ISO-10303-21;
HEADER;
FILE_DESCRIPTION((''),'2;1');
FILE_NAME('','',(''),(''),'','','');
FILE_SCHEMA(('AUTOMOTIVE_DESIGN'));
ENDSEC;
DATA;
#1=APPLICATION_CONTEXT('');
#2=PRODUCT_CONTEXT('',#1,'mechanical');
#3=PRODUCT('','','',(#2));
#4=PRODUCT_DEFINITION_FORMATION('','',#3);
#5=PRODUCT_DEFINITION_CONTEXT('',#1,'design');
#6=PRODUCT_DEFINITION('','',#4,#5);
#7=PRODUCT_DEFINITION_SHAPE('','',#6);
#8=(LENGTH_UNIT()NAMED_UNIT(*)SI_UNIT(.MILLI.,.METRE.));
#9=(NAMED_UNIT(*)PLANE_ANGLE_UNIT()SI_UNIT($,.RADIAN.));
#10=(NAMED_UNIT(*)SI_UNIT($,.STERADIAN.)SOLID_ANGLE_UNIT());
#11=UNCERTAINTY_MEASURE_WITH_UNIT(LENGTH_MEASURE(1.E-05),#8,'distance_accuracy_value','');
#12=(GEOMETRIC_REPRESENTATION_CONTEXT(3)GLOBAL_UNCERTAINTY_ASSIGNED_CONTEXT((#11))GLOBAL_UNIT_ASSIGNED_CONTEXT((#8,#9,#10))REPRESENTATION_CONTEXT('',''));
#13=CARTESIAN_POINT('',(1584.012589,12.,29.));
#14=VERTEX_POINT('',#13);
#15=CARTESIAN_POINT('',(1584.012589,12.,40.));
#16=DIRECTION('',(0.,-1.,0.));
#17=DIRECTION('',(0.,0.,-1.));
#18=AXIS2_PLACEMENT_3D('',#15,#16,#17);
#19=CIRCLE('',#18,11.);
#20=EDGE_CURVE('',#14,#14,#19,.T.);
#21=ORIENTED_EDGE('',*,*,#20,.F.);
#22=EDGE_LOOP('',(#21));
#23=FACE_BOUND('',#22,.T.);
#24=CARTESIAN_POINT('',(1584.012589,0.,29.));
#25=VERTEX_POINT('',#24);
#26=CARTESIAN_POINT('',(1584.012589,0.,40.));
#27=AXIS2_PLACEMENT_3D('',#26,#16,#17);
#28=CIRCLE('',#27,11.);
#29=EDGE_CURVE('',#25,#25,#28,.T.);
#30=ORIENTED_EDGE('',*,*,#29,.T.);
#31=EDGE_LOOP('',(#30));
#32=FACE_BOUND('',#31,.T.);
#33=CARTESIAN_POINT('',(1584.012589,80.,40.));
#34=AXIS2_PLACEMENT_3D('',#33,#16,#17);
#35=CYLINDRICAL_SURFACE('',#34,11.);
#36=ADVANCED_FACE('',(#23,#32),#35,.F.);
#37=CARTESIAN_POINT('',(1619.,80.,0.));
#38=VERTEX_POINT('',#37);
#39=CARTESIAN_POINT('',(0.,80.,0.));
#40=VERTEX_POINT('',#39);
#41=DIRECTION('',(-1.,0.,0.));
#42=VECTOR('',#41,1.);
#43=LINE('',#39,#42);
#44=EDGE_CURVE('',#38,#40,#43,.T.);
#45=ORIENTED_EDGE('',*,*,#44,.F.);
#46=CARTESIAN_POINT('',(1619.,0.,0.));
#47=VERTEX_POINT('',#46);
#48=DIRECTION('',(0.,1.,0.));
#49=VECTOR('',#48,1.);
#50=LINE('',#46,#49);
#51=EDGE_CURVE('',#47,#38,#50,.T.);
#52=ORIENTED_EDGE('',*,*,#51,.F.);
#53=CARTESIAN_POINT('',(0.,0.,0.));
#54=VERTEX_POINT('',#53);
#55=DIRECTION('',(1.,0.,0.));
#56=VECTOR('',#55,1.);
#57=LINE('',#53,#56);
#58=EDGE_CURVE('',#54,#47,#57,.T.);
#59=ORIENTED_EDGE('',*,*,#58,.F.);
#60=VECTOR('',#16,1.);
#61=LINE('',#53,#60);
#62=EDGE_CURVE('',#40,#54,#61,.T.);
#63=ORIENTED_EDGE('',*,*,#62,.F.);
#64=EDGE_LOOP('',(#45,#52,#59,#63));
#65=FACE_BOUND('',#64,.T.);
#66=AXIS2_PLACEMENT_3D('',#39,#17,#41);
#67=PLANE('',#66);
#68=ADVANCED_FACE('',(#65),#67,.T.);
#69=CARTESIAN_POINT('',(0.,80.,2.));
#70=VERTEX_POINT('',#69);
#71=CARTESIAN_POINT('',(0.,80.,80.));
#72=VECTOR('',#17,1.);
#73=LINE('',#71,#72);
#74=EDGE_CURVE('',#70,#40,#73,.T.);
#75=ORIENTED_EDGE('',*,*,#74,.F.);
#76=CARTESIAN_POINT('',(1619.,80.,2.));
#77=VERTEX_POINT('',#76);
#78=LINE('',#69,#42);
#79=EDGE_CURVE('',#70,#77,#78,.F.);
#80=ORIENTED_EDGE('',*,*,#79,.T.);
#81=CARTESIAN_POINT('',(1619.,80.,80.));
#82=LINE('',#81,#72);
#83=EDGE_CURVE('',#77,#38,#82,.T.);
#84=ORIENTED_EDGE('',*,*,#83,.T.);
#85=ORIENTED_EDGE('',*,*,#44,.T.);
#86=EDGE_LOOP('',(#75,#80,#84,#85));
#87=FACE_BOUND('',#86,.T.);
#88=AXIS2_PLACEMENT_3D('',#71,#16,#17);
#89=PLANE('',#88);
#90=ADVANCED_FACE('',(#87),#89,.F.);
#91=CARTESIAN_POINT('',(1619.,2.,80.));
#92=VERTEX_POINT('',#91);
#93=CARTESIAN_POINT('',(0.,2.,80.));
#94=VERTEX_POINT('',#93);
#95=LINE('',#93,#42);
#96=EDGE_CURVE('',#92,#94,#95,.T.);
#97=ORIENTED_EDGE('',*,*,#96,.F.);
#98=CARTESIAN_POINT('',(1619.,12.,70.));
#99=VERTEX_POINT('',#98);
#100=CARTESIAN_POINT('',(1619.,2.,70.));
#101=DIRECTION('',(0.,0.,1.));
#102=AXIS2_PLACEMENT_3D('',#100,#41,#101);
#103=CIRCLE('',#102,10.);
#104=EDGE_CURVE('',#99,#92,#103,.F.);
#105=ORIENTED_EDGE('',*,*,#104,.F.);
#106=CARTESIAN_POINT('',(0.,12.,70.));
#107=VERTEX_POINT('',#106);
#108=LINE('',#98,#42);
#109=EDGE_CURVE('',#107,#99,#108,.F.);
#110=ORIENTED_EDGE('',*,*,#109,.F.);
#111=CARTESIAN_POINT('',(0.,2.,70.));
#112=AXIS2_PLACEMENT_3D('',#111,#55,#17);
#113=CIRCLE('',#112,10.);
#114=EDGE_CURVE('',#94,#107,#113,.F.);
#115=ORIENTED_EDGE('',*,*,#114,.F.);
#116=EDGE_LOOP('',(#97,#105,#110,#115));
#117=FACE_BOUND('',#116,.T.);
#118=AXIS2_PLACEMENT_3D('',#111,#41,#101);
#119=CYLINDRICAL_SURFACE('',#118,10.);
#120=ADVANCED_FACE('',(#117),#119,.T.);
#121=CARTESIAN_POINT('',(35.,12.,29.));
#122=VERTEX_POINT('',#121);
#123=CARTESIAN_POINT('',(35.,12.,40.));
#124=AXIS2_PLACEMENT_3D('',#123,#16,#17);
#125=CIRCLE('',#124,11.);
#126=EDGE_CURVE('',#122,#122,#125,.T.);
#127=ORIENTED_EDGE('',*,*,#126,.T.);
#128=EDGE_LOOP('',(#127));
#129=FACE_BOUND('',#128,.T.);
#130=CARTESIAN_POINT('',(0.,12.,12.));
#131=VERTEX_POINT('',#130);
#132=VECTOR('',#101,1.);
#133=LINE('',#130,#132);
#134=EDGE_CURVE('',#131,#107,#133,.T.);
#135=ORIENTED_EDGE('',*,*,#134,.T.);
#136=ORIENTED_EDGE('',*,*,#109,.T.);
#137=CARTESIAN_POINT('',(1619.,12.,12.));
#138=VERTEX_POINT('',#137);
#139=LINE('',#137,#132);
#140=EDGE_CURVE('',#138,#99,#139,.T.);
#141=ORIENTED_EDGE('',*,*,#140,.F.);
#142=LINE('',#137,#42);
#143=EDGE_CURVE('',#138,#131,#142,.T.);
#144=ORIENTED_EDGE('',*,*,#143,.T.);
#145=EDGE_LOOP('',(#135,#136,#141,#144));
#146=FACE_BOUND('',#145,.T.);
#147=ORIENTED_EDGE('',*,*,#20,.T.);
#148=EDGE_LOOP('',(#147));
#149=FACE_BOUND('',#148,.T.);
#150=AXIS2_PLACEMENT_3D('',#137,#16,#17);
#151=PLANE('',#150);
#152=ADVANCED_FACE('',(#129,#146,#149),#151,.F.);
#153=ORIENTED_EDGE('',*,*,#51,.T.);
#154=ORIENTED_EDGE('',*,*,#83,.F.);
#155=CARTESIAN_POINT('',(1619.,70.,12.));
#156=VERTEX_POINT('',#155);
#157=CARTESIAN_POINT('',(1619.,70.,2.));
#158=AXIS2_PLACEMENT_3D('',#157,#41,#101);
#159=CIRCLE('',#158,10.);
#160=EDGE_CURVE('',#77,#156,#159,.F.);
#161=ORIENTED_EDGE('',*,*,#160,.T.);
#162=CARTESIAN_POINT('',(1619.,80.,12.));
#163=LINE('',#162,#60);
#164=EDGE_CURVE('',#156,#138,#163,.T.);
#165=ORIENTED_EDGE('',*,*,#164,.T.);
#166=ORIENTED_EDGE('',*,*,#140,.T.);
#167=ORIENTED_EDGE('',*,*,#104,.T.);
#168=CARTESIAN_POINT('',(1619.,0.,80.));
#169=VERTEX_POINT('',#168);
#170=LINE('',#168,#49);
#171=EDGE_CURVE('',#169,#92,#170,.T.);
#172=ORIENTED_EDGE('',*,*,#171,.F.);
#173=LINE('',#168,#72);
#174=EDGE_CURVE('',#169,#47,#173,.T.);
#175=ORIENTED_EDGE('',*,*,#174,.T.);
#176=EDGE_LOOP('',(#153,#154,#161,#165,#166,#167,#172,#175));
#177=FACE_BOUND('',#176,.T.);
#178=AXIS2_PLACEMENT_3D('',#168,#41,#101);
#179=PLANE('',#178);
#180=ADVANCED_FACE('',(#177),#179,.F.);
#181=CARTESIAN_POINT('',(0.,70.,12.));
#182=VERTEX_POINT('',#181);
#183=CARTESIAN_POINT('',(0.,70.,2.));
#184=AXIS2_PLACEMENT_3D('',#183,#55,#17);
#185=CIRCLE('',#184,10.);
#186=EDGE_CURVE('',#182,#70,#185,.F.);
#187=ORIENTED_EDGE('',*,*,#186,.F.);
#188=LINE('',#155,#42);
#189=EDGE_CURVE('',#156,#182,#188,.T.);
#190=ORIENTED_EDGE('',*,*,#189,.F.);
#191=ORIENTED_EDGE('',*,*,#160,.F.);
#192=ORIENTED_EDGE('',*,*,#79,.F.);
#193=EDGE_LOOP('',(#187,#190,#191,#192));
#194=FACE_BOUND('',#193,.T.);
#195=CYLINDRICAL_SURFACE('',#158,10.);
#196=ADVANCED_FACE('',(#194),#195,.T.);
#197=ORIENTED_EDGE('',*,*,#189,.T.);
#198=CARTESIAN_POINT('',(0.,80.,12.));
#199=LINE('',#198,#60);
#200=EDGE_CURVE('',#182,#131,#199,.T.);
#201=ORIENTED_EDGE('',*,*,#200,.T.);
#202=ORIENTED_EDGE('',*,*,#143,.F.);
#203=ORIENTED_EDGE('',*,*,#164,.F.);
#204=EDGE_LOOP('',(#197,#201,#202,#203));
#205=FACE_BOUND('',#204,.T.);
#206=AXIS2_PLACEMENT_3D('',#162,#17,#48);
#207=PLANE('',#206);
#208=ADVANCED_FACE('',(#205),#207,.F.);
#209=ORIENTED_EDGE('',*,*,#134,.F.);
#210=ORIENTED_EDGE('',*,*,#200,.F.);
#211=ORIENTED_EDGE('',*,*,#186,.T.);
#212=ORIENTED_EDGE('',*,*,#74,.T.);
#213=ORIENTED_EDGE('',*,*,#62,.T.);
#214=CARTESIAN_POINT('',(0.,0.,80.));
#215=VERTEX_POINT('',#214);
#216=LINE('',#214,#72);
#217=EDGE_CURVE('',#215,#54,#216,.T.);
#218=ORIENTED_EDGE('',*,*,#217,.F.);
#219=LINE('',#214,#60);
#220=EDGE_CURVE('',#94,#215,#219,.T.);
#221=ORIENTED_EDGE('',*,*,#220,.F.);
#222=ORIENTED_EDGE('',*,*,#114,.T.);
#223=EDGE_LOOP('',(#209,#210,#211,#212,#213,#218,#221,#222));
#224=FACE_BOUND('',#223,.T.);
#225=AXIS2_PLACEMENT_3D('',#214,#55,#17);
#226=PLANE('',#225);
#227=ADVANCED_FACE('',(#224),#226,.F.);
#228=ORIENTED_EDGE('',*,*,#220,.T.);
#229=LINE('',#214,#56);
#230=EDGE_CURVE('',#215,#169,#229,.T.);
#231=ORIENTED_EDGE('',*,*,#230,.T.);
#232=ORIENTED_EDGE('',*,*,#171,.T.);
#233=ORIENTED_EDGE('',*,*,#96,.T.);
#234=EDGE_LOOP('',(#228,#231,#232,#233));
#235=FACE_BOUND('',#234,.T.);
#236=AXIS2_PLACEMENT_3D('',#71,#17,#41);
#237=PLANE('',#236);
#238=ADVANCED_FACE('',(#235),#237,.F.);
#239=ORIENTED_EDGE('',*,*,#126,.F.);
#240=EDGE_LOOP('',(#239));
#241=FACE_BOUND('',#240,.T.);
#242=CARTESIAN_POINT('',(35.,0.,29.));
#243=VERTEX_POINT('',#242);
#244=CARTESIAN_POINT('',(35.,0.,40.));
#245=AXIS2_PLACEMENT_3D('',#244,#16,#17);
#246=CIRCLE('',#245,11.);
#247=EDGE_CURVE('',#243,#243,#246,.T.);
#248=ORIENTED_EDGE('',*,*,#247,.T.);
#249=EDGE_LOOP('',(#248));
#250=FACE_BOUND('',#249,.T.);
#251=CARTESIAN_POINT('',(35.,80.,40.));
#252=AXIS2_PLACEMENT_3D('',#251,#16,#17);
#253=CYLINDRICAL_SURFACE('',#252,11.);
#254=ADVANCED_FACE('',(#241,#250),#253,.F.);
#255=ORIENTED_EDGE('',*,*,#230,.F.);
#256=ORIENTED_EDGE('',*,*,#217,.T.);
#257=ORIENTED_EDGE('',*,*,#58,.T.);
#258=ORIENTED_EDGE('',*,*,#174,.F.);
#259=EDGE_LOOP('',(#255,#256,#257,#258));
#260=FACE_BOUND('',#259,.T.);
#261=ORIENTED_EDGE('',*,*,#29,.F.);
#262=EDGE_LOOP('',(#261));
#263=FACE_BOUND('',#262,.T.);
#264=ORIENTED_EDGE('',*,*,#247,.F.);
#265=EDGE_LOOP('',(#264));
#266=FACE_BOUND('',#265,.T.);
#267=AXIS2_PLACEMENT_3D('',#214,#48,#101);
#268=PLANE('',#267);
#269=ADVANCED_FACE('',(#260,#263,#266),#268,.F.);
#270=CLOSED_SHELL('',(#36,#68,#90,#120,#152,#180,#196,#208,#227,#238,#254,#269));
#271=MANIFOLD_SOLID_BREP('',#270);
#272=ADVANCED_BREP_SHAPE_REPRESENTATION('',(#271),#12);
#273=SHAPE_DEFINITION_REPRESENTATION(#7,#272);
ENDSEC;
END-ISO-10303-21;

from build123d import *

# Parameters (mm, degrees)
SKETCH_1_W             = 1619
SKETCH_1_H             = 80
EXTRUDE_1_DEPTH        = 80
SKETCH_3_W             = 68
SKETCH_3_H             = 68
CUT_EXTRUDE_2_DEPTH    = 1623.948243167
FILLET_1_R             = 10
SKETCH_7_R             = 11
CUT_EXTRUDE_5_DEPTH    = 1623.948243167
PATTERN_LINEAR_3_COUNT = 2
PATTERN_LINEAR_3_PITCH = 1549.012588716


with BuildPart() as part:
    # 草图1 → 拉伸1 (new body)
    with BuildSketch(Plane.XY):
        with Locations((809.5, 40)):
            Rectangle(SKETCH_1_W, SKETCH_1_H)
    extrude(amount=EXTRUDE_1_DEPTH)

    # 草图3 → 拉伸2 (cut, through all)
    with BuildSketch(Plane.ZY):
        with Locations((46, 46)):
            Rectangle(SKETCH_3_W, SKETCH_3_H)
    extrude(amount=-CUT_EXTRUDE_2_DEPTH, mode=Mode.SUBTRACT)

    # 圆角1
    fillet_1_edges = [part.edges().sort_by_distance(p)[0] for p in [
        (809.5, 80, 12),
        (809.5, 12, 80),
    ]]
    fillet(fillet_1_edges, radius=FILLET_1_R)

    # 草图7 → 拉伸5 (cut, through all)
    with BuildSketch(Plane.XZ):
        with Locations(Location((35, 40, 0), (0, 0, 270))):
            Circle(SKETCH_7_R)
    cut_extrude_5 = extrude(amount=-CUT_EXTRUDE_5_DEPTH, mode=Mode.SUBTRACT)

    # 阵列(线性)3: 拉伸5 ×2
    with Locations(*[(i * PATTERN_LINEAR_3_PITCH, 0, 0) for i in range(1, PATTERN_LINEAR_3_COUNT)]):
        add(cut_extrude_5, mode=Mode.SUBTRACT)


solid = part.part
